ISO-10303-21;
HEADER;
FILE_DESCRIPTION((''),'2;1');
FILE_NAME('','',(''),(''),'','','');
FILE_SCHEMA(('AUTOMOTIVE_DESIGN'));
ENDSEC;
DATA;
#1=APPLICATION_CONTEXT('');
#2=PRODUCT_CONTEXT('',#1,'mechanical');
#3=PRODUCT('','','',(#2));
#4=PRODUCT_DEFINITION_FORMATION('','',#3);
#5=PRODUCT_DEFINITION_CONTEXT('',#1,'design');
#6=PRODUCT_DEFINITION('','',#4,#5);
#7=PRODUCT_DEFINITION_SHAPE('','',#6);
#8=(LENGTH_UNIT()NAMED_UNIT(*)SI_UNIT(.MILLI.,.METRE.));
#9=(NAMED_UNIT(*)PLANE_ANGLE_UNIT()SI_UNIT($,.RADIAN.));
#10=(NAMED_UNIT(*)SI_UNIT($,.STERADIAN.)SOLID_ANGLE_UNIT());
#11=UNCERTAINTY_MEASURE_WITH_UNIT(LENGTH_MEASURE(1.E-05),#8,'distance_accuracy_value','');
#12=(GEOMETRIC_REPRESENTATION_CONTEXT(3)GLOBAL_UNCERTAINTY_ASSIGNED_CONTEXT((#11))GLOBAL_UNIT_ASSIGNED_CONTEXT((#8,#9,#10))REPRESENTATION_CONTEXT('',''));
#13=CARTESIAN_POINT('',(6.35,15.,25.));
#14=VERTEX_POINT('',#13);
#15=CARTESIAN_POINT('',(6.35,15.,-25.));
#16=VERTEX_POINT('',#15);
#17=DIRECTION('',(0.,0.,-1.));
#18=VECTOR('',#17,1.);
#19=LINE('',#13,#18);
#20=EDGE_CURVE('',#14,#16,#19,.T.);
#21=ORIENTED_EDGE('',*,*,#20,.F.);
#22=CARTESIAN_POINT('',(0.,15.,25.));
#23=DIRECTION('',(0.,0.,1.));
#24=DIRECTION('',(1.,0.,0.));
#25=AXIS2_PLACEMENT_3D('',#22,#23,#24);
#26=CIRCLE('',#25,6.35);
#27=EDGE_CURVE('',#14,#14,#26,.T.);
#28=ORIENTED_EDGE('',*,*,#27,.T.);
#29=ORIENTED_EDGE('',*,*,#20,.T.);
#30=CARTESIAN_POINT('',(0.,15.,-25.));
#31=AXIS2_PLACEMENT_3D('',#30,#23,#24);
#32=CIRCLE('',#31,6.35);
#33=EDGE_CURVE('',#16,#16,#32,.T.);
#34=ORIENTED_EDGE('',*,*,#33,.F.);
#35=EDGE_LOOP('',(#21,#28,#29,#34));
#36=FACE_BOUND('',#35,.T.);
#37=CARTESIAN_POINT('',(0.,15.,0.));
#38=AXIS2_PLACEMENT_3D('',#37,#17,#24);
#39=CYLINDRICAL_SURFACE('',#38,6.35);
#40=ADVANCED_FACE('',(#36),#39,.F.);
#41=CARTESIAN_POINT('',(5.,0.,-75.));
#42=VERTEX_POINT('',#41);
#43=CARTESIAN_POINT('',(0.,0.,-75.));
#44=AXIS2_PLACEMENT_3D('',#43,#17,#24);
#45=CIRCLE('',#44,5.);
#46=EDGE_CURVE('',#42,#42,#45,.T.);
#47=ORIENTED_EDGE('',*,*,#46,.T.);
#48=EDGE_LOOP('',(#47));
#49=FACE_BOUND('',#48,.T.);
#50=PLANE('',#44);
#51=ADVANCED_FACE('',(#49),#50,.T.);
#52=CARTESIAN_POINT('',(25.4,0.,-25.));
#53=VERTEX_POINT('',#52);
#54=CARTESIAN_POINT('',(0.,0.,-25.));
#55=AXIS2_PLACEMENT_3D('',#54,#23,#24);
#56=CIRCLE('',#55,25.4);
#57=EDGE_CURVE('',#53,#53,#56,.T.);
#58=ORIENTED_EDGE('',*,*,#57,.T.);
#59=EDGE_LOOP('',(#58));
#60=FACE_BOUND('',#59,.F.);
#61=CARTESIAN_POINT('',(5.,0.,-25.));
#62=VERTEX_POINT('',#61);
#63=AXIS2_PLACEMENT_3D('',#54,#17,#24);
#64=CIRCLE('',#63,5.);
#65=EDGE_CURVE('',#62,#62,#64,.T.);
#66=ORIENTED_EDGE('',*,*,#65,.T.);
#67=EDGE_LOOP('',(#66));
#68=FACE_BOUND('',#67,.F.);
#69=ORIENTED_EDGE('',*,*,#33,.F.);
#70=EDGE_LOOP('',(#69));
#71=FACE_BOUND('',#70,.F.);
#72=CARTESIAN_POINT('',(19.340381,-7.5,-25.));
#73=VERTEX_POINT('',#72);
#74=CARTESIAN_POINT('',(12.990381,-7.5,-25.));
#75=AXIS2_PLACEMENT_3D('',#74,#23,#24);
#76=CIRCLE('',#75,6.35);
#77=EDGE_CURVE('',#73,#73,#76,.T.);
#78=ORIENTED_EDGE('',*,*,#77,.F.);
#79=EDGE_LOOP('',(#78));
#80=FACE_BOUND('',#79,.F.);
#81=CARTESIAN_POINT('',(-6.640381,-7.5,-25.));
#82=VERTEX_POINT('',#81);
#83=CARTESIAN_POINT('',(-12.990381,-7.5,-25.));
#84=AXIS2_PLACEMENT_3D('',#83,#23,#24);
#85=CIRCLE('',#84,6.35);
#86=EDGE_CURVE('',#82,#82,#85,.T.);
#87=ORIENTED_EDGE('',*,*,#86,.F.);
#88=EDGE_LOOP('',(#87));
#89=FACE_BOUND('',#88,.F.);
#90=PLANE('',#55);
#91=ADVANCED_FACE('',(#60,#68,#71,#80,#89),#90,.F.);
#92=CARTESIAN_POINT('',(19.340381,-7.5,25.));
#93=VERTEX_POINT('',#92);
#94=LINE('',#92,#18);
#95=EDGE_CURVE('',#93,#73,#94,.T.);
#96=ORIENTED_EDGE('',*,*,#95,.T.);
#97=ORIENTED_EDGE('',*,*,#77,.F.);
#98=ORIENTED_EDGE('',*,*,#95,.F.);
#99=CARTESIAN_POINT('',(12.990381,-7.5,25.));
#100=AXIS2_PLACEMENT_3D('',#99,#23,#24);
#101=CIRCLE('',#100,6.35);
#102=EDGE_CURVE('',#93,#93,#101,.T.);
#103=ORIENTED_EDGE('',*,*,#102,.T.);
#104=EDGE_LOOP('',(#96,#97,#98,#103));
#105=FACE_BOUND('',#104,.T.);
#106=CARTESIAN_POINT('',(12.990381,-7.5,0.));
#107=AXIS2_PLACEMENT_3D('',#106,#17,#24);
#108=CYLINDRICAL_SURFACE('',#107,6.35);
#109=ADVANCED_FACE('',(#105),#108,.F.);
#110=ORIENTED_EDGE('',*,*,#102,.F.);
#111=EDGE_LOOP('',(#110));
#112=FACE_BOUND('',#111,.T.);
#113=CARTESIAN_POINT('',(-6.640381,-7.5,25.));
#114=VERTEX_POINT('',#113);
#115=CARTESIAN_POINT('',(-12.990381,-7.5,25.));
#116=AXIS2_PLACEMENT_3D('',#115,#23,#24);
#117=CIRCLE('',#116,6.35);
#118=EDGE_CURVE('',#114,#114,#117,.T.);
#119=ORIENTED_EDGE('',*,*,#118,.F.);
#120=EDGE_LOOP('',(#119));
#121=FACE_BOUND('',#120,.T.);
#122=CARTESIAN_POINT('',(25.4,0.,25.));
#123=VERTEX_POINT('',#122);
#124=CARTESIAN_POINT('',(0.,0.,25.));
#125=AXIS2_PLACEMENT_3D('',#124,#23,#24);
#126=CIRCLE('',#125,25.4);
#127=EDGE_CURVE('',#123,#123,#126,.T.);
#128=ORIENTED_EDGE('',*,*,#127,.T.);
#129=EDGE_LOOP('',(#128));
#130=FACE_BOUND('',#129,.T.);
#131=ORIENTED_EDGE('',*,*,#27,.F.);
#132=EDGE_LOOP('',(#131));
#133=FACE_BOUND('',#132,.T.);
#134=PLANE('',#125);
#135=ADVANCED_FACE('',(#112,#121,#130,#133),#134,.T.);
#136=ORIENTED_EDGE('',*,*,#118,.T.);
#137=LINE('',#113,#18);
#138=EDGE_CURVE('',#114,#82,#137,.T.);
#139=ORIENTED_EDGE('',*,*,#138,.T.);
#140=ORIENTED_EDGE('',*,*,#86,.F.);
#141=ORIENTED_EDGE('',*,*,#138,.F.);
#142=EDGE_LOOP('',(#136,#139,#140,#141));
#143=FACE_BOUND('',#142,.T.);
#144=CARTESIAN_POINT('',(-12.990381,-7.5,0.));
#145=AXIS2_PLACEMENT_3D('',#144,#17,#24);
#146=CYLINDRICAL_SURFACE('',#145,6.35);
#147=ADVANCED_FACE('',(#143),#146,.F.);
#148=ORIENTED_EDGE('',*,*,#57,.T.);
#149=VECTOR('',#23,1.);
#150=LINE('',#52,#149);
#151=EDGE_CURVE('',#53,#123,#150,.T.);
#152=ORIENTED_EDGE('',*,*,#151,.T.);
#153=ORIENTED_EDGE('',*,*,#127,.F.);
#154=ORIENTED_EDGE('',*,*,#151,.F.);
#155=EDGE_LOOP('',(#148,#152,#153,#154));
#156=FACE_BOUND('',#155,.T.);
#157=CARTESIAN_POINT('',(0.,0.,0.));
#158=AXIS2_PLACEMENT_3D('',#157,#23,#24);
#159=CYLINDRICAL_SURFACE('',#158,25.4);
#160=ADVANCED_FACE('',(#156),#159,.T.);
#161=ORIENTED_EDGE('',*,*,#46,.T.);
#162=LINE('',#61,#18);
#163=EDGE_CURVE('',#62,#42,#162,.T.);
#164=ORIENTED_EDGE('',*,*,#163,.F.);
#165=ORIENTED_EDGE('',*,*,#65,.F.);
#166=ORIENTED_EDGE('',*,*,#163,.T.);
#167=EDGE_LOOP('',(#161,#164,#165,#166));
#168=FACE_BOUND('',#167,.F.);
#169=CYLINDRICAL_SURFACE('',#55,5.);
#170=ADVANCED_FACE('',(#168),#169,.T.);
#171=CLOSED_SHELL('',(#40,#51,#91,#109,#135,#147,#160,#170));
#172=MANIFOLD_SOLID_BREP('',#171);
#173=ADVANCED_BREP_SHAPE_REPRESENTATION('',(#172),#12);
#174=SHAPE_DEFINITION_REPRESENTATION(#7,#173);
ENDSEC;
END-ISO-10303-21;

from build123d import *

# Parameters (mm, degrees)
F0_R     = 25.4
F0_R_2   = 6.35
F1_DEPTH = 25
F2_R     = 5
F3_DEPTH = 50


with BuildPart() as f1:
    # F0 (on Top) → F1 (new body, symmetric)
    with BuildSketch(Plane.XY):
        Circle(F0_R)
        with Locations((-12.990381, -7.5)):
            Circle(F0_R_2, mode=Mode.SUBTRACT)
        with Locations((12.990381, -7.5)):
            Circle(F0_R_2, mode=Mode.SUBTRACT)
        with Locations((0, 15)):
            Circle(F0_R_2, mode=Mode.SUBTRACT)
    extrude(amount=F1_DEPTH, both=True)

    # F2 (on face) → F3 (join)
    with BuildSketch(Plane(origin=(0, 0, -25), x_dir=(1, 0, 0), z_dir=(0, 0, -1))):
        Circle(F2_R)
    extrude(amount=F3_DEPTH)


solid = f1.part
